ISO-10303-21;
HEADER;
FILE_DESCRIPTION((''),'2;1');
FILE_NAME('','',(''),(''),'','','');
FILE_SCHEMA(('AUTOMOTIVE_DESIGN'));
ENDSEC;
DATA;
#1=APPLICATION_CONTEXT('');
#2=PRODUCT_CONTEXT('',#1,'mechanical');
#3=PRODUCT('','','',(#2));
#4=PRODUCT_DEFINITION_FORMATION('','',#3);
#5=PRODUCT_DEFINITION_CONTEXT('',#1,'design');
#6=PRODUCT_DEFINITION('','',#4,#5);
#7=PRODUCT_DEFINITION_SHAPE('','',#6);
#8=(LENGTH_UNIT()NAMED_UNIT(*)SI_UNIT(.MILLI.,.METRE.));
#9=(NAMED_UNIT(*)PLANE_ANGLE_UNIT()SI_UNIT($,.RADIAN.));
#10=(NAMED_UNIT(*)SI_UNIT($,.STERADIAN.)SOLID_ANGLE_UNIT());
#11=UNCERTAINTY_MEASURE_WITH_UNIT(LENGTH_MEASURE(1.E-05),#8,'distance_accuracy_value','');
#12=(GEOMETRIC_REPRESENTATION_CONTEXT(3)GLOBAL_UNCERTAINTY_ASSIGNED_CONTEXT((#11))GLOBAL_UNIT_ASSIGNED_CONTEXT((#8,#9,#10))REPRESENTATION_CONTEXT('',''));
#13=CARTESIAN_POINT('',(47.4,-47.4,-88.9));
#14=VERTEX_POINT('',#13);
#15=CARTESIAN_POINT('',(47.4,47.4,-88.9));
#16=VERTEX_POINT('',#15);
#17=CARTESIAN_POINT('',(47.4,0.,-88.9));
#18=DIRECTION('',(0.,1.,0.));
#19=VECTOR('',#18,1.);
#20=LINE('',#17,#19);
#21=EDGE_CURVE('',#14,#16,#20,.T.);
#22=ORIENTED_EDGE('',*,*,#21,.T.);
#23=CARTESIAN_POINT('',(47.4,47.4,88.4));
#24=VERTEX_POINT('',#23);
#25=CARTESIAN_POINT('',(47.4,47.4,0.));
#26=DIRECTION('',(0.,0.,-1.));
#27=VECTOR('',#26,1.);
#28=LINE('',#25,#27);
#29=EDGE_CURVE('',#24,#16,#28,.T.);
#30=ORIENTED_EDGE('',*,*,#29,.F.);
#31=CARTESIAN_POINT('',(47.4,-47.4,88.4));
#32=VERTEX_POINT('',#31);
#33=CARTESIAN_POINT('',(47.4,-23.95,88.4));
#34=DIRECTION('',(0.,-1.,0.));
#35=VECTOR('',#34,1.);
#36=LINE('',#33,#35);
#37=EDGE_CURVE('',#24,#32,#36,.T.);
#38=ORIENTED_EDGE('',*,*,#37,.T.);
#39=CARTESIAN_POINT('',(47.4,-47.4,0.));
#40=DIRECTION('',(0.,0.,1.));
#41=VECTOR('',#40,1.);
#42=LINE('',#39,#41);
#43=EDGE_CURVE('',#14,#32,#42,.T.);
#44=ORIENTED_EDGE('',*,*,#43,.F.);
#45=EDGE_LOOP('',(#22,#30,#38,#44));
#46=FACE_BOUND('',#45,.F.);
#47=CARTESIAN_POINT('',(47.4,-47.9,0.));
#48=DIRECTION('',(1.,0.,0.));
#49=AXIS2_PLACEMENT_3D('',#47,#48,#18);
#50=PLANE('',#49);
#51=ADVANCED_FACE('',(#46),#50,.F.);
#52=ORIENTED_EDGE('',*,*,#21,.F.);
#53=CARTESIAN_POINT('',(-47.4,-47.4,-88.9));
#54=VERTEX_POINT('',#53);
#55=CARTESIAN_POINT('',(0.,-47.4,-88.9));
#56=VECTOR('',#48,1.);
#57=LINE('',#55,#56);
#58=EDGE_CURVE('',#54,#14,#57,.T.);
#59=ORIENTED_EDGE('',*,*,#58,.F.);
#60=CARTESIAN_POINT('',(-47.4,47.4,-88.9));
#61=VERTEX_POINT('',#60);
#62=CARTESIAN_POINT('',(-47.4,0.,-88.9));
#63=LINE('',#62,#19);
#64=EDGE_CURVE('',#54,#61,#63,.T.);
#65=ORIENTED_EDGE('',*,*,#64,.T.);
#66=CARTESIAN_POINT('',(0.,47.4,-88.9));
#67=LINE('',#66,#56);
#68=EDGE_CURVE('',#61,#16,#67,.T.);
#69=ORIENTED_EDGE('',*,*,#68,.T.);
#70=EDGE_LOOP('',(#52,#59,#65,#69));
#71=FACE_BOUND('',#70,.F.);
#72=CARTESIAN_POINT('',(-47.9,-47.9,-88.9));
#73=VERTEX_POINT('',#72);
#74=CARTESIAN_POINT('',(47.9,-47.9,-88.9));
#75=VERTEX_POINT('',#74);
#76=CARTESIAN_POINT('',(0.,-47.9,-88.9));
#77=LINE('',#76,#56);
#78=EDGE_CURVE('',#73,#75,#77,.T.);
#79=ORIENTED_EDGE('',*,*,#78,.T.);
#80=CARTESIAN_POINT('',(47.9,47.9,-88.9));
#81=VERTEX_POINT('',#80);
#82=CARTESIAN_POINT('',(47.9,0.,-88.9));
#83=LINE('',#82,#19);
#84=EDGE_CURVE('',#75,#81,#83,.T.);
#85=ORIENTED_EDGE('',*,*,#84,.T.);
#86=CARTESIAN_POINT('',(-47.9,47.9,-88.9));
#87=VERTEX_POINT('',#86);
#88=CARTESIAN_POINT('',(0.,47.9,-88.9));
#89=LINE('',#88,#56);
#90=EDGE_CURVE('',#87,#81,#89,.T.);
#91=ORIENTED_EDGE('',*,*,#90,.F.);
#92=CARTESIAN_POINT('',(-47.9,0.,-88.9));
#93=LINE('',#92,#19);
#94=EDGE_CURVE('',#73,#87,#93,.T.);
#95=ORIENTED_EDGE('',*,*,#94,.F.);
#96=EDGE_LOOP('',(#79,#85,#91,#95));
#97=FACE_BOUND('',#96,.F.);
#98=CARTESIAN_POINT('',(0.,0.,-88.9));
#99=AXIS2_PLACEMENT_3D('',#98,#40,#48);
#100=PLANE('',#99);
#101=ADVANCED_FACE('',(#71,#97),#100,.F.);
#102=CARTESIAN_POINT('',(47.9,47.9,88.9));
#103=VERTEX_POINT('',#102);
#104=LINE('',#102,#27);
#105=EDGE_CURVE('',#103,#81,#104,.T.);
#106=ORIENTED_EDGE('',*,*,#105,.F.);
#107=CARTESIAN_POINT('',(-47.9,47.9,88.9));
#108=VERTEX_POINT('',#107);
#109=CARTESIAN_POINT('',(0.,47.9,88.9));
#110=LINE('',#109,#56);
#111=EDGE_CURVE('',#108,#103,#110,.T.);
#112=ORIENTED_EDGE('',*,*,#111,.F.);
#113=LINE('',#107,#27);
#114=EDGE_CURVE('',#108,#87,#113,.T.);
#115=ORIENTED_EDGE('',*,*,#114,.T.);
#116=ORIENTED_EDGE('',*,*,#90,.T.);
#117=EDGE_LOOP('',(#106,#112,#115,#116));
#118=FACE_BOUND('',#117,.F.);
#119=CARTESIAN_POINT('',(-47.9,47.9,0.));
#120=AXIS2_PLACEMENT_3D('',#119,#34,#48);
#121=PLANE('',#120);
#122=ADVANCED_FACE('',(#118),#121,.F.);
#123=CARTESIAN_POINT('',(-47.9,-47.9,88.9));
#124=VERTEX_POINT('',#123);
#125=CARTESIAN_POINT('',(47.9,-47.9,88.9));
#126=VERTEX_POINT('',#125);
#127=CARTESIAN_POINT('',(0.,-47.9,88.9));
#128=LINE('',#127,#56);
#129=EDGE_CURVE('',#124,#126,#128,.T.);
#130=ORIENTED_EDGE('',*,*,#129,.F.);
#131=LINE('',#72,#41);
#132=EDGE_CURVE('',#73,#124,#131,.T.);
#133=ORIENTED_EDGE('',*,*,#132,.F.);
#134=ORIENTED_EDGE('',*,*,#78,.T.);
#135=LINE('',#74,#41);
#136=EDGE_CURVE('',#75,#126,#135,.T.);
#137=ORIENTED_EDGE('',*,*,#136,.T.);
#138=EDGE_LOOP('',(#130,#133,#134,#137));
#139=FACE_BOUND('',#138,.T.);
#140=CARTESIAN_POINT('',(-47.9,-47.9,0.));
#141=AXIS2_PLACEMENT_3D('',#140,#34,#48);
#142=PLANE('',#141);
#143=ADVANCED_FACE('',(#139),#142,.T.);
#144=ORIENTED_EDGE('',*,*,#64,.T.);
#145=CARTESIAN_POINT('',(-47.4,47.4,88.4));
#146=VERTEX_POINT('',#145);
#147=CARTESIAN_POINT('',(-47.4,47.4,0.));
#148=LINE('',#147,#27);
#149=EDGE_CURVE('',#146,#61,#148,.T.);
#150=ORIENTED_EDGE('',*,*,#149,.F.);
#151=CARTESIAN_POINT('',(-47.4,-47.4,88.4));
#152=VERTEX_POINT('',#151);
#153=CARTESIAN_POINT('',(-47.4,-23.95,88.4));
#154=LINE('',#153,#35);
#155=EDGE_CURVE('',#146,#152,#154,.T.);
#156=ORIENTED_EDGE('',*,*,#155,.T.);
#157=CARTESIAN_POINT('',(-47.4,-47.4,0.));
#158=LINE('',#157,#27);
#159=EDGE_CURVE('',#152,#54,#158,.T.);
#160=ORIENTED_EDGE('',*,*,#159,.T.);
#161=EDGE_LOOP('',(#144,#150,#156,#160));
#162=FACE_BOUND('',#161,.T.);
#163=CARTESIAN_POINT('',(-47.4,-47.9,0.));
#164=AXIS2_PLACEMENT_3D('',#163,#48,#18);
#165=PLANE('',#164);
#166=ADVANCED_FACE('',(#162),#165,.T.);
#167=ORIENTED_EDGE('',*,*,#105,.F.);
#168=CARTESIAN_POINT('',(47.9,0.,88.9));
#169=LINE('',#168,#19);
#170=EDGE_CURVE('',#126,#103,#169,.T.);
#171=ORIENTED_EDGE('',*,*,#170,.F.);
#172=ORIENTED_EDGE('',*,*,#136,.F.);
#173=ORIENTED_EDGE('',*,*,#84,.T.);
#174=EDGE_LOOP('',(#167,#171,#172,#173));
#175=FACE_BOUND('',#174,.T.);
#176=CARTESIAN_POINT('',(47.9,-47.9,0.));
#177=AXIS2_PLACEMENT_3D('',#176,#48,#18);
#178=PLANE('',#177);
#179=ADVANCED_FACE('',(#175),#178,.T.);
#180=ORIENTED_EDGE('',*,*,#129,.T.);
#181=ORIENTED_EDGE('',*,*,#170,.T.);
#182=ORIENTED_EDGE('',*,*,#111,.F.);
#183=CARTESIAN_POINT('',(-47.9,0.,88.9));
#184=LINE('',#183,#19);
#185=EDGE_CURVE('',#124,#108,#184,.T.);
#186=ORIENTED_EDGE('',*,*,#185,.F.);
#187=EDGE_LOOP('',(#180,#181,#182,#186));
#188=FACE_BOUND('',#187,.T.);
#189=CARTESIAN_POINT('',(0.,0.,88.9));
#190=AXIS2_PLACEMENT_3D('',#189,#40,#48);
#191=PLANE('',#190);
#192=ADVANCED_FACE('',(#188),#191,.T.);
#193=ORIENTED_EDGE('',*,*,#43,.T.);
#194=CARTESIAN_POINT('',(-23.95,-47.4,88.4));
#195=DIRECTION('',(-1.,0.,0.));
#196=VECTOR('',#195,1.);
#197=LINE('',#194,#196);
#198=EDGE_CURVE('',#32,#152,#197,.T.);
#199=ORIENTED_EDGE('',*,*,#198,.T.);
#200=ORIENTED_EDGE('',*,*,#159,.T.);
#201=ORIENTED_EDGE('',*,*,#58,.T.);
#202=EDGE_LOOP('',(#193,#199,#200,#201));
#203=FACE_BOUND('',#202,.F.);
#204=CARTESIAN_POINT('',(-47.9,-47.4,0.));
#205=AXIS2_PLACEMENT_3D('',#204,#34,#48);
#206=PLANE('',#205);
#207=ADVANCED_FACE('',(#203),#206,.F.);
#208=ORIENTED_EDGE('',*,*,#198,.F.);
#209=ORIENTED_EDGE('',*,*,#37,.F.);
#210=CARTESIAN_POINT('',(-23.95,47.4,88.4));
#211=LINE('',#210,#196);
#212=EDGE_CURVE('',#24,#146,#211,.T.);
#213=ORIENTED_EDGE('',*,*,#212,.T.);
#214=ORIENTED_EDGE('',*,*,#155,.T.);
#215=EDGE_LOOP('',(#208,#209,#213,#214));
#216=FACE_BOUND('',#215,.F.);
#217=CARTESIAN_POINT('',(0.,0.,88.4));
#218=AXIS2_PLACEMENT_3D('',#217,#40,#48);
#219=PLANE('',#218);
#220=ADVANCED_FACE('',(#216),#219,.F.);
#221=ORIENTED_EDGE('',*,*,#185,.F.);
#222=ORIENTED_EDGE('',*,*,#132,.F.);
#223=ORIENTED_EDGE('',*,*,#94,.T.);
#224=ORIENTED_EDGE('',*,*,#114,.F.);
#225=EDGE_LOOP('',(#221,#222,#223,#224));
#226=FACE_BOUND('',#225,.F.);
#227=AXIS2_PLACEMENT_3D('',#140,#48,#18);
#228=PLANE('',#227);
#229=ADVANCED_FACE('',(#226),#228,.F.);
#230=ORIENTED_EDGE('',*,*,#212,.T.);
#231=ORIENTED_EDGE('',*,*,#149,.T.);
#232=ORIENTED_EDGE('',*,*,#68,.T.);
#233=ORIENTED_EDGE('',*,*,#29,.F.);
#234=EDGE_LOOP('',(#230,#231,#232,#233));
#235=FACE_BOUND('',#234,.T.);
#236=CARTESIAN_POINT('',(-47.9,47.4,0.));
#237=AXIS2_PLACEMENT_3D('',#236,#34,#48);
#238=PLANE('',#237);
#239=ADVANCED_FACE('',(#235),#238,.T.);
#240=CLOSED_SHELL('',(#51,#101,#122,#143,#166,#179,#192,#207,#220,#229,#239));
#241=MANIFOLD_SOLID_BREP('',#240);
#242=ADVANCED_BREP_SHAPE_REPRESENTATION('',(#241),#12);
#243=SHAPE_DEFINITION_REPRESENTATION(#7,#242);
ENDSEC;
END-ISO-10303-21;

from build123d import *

# Parameters (mm, degrees)
F0_W     = 95.8
F0_H     = 95.8
F1_DEPTH = 88.9
F2_T     = -0.5


with BuildPart() as f1:
    # F0 (on Top) → F1 (new body, symmetric)
    with BuildSketch(Plane.XY):
        Rectangle(F0_W, F0_H)
    extrude(amount=F1_DEPTH, both=True)

    # F2
    f2_openings = [f1.faces().sort_by_distance(p)[0] for p in [
        (0, 0, -88.9),
    ]]
    offset(amount=F2_T, openings=f2_openings)


solid = f1.part
